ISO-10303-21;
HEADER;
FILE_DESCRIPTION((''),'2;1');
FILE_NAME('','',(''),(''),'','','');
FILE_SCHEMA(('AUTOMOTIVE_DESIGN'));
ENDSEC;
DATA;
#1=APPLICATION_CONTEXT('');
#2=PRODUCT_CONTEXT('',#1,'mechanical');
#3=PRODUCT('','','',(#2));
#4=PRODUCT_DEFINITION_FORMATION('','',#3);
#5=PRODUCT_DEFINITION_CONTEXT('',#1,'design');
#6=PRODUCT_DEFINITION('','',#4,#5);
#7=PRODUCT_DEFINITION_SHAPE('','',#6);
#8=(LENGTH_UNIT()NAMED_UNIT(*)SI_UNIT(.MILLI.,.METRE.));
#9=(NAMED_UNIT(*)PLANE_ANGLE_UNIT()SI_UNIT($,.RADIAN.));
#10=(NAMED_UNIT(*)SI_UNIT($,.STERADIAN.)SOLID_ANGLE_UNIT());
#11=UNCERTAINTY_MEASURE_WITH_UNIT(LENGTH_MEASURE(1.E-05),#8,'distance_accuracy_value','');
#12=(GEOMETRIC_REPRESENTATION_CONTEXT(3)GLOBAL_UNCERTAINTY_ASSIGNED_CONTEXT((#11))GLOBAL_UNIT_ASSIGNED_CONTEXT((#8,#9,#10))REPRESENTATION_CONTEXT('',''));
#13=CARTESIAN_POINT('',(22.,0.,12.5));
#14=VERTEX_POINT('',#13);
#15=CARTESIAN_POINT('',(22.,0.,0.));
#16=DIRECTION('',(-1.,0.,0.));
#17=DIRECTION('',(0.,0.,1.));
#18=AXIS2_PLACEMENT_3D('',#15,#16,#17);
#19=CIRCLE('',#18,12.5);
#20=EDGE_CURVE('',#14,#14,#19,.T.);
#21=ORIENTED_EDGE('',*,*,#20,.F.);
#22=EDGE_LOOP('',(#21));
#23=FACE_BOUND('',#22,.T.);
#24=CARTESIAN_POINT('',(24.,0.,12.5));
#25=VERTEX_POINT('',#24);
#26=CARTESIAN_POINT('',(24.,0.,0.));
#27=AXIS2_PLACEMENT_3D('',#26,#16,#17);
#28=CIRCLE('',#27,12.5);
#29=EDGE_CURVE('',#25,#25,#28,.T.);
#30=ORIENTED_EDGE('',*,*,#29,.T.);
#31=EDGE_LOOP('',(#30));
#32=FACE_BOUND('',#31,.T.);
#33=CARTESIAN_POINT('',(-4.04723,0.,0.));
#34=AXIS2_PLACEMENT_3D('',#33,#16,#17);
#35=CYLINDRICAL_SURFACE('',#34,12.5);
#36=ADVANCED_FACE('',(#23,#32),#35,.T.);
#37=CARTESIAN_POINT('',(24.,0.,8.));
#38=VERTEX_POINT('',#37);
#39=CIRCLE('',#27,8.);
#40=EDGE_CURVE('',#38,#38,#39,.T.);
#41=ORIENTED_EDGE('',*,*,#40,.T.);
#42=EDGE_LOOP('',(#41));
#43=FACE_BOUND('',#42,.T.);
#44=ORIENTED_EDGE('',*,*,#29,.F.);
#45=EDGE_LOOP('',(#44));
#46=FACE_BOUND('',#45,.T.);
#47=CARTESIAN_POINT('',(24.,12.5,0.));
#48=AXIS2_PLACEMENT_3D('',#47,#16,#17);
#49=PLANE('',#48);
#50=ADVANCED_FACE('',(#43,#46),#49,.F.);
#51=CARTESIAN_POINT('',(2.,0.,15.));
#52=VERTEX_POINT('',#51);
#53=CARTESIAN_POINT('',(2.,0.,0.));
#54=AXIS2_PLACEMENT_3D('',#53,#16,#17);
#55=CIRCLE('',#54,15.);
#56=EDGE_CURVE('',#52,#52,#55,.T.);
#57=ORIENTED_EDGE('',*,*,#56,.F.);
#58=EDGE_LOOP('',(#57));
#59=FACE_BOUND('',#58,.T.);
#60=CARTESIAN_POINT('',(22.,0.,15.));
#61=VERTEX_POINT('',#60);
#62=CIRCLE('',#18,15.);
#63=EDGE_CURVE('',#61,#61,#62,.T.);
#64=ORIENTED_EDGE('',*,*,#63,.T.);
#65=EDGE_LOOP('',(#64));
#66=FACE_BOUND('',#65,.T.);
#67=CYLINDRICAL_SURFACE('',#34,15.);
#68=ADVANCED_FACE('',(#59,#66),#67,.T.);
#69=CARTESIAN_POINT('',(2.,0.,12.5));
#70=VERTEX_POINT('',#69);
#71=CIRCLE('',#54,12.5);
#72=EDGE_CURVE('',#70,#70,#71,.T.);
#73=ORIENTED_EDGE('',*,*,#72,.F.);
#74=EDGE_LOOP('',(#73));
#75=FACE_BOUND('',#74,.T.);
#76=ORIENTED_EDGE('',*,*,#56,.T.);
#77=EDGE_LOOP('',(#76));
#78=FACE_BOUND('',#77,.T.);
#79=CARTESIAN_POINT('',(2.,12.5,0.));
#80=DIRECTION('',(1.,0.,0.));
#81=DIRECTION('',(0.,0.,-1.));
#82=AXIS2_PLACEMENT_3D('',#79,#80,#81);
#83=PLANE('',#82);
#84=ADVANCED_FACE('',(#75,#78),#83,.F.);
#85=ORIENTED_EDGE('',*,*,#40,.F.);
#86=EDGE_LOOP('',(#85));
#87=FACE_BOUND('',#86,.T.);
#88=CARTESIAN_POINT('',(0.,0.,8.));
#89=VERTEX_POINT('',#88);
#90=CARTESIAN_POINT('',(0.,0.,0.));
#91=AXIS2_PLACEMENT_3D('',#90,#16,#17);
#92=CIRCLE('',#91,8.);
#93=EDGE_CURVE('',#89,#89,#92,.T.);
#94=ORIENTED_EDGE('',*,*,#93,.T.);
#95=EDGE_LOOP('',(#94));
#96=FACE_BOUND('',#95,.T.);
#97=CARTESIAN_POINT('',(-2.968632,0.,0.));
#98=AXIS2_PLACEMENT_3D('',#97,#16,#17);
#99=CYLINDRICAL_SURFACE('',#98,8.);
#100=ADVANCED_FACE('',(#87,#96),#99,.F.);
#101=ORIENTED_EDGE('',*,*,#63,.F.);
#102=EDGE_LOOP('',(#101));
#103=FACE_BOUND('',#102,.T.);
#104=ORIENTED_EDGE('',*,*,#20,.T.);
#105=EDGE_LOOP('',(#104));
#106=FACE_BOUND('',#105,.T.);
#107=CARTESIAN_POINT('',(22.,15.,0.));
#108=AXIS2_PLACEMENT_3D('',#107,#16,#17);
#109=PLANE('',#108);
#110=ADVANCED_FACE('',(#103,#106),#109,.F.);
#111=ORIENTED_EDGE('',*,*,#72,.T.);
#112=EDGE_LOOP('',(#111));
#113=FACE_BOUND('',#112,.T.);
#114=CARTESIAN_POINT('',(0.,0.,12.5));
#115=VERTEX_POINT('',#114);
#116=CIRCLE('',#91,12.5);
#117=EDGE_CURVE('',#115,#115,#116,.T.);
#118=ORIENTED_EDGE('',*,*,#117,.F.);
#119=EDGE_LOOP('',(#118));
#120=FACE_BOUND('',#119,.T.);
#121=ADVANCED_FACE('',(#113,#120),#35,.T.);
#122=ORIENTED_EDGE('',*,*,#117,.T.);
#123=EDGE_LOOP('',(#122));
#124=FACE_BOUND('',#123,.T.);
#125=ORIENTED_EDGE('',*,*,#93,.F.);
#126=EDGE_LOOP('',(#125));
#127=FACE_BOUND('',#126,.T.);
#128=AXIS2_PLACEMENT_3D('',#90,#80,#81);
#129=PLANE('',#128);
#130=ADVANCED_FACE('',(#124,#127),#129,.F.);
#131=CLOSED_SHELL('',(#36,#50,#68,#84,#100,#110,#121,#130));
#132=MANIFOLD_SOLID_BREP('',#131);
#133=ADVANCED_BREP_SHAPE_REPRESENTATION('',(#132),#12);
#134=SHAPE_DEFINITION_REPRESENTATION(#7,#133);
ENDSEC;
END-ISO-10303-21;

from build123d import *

# Parameters (mm, degrees)
SKETCH2_W = 24
SKETCH2_H = 8


with BuildPart() as part:
    # Sketch1 → Revolve1 (revolve)
    with BuildSketch(Plane.XY, mode=Mode.PRIVATE) as revolve1_sk:
        Polygon((0, 0), (0, 12.5), (2, 12.5), (2, 15), (22, 15), (22, 12.5), (24, 12.5), (24, 0), align=None)
    revolve(revolve1_sk.sketch.rotate(Axis((-4.047229768, 0, 0), (1, 0, 0)), 90), axis=Axis((-4.047229768, 0, 0), (1, 0, 0)))

    # Sketch2 → Cut-Revolve1 (revolve, cut)
    with BuildSketch(Plane.XY, mode=Mode.PRIVATE) as cut_revolve1_sk:
        with Locations((12, 4)):
            Rectangle(SKETCH2_W, SKETCH2_H)
    revolve(cut_revolve1_sk.sketch.rotate(Axis((-2.968632144, 0, 0), (1, 0, 0)), 90), axis=Axis((-2.968632144, 0, 0), (1, 0, 0)), mode=Mode.SUBTRACT)


solid = part.part
